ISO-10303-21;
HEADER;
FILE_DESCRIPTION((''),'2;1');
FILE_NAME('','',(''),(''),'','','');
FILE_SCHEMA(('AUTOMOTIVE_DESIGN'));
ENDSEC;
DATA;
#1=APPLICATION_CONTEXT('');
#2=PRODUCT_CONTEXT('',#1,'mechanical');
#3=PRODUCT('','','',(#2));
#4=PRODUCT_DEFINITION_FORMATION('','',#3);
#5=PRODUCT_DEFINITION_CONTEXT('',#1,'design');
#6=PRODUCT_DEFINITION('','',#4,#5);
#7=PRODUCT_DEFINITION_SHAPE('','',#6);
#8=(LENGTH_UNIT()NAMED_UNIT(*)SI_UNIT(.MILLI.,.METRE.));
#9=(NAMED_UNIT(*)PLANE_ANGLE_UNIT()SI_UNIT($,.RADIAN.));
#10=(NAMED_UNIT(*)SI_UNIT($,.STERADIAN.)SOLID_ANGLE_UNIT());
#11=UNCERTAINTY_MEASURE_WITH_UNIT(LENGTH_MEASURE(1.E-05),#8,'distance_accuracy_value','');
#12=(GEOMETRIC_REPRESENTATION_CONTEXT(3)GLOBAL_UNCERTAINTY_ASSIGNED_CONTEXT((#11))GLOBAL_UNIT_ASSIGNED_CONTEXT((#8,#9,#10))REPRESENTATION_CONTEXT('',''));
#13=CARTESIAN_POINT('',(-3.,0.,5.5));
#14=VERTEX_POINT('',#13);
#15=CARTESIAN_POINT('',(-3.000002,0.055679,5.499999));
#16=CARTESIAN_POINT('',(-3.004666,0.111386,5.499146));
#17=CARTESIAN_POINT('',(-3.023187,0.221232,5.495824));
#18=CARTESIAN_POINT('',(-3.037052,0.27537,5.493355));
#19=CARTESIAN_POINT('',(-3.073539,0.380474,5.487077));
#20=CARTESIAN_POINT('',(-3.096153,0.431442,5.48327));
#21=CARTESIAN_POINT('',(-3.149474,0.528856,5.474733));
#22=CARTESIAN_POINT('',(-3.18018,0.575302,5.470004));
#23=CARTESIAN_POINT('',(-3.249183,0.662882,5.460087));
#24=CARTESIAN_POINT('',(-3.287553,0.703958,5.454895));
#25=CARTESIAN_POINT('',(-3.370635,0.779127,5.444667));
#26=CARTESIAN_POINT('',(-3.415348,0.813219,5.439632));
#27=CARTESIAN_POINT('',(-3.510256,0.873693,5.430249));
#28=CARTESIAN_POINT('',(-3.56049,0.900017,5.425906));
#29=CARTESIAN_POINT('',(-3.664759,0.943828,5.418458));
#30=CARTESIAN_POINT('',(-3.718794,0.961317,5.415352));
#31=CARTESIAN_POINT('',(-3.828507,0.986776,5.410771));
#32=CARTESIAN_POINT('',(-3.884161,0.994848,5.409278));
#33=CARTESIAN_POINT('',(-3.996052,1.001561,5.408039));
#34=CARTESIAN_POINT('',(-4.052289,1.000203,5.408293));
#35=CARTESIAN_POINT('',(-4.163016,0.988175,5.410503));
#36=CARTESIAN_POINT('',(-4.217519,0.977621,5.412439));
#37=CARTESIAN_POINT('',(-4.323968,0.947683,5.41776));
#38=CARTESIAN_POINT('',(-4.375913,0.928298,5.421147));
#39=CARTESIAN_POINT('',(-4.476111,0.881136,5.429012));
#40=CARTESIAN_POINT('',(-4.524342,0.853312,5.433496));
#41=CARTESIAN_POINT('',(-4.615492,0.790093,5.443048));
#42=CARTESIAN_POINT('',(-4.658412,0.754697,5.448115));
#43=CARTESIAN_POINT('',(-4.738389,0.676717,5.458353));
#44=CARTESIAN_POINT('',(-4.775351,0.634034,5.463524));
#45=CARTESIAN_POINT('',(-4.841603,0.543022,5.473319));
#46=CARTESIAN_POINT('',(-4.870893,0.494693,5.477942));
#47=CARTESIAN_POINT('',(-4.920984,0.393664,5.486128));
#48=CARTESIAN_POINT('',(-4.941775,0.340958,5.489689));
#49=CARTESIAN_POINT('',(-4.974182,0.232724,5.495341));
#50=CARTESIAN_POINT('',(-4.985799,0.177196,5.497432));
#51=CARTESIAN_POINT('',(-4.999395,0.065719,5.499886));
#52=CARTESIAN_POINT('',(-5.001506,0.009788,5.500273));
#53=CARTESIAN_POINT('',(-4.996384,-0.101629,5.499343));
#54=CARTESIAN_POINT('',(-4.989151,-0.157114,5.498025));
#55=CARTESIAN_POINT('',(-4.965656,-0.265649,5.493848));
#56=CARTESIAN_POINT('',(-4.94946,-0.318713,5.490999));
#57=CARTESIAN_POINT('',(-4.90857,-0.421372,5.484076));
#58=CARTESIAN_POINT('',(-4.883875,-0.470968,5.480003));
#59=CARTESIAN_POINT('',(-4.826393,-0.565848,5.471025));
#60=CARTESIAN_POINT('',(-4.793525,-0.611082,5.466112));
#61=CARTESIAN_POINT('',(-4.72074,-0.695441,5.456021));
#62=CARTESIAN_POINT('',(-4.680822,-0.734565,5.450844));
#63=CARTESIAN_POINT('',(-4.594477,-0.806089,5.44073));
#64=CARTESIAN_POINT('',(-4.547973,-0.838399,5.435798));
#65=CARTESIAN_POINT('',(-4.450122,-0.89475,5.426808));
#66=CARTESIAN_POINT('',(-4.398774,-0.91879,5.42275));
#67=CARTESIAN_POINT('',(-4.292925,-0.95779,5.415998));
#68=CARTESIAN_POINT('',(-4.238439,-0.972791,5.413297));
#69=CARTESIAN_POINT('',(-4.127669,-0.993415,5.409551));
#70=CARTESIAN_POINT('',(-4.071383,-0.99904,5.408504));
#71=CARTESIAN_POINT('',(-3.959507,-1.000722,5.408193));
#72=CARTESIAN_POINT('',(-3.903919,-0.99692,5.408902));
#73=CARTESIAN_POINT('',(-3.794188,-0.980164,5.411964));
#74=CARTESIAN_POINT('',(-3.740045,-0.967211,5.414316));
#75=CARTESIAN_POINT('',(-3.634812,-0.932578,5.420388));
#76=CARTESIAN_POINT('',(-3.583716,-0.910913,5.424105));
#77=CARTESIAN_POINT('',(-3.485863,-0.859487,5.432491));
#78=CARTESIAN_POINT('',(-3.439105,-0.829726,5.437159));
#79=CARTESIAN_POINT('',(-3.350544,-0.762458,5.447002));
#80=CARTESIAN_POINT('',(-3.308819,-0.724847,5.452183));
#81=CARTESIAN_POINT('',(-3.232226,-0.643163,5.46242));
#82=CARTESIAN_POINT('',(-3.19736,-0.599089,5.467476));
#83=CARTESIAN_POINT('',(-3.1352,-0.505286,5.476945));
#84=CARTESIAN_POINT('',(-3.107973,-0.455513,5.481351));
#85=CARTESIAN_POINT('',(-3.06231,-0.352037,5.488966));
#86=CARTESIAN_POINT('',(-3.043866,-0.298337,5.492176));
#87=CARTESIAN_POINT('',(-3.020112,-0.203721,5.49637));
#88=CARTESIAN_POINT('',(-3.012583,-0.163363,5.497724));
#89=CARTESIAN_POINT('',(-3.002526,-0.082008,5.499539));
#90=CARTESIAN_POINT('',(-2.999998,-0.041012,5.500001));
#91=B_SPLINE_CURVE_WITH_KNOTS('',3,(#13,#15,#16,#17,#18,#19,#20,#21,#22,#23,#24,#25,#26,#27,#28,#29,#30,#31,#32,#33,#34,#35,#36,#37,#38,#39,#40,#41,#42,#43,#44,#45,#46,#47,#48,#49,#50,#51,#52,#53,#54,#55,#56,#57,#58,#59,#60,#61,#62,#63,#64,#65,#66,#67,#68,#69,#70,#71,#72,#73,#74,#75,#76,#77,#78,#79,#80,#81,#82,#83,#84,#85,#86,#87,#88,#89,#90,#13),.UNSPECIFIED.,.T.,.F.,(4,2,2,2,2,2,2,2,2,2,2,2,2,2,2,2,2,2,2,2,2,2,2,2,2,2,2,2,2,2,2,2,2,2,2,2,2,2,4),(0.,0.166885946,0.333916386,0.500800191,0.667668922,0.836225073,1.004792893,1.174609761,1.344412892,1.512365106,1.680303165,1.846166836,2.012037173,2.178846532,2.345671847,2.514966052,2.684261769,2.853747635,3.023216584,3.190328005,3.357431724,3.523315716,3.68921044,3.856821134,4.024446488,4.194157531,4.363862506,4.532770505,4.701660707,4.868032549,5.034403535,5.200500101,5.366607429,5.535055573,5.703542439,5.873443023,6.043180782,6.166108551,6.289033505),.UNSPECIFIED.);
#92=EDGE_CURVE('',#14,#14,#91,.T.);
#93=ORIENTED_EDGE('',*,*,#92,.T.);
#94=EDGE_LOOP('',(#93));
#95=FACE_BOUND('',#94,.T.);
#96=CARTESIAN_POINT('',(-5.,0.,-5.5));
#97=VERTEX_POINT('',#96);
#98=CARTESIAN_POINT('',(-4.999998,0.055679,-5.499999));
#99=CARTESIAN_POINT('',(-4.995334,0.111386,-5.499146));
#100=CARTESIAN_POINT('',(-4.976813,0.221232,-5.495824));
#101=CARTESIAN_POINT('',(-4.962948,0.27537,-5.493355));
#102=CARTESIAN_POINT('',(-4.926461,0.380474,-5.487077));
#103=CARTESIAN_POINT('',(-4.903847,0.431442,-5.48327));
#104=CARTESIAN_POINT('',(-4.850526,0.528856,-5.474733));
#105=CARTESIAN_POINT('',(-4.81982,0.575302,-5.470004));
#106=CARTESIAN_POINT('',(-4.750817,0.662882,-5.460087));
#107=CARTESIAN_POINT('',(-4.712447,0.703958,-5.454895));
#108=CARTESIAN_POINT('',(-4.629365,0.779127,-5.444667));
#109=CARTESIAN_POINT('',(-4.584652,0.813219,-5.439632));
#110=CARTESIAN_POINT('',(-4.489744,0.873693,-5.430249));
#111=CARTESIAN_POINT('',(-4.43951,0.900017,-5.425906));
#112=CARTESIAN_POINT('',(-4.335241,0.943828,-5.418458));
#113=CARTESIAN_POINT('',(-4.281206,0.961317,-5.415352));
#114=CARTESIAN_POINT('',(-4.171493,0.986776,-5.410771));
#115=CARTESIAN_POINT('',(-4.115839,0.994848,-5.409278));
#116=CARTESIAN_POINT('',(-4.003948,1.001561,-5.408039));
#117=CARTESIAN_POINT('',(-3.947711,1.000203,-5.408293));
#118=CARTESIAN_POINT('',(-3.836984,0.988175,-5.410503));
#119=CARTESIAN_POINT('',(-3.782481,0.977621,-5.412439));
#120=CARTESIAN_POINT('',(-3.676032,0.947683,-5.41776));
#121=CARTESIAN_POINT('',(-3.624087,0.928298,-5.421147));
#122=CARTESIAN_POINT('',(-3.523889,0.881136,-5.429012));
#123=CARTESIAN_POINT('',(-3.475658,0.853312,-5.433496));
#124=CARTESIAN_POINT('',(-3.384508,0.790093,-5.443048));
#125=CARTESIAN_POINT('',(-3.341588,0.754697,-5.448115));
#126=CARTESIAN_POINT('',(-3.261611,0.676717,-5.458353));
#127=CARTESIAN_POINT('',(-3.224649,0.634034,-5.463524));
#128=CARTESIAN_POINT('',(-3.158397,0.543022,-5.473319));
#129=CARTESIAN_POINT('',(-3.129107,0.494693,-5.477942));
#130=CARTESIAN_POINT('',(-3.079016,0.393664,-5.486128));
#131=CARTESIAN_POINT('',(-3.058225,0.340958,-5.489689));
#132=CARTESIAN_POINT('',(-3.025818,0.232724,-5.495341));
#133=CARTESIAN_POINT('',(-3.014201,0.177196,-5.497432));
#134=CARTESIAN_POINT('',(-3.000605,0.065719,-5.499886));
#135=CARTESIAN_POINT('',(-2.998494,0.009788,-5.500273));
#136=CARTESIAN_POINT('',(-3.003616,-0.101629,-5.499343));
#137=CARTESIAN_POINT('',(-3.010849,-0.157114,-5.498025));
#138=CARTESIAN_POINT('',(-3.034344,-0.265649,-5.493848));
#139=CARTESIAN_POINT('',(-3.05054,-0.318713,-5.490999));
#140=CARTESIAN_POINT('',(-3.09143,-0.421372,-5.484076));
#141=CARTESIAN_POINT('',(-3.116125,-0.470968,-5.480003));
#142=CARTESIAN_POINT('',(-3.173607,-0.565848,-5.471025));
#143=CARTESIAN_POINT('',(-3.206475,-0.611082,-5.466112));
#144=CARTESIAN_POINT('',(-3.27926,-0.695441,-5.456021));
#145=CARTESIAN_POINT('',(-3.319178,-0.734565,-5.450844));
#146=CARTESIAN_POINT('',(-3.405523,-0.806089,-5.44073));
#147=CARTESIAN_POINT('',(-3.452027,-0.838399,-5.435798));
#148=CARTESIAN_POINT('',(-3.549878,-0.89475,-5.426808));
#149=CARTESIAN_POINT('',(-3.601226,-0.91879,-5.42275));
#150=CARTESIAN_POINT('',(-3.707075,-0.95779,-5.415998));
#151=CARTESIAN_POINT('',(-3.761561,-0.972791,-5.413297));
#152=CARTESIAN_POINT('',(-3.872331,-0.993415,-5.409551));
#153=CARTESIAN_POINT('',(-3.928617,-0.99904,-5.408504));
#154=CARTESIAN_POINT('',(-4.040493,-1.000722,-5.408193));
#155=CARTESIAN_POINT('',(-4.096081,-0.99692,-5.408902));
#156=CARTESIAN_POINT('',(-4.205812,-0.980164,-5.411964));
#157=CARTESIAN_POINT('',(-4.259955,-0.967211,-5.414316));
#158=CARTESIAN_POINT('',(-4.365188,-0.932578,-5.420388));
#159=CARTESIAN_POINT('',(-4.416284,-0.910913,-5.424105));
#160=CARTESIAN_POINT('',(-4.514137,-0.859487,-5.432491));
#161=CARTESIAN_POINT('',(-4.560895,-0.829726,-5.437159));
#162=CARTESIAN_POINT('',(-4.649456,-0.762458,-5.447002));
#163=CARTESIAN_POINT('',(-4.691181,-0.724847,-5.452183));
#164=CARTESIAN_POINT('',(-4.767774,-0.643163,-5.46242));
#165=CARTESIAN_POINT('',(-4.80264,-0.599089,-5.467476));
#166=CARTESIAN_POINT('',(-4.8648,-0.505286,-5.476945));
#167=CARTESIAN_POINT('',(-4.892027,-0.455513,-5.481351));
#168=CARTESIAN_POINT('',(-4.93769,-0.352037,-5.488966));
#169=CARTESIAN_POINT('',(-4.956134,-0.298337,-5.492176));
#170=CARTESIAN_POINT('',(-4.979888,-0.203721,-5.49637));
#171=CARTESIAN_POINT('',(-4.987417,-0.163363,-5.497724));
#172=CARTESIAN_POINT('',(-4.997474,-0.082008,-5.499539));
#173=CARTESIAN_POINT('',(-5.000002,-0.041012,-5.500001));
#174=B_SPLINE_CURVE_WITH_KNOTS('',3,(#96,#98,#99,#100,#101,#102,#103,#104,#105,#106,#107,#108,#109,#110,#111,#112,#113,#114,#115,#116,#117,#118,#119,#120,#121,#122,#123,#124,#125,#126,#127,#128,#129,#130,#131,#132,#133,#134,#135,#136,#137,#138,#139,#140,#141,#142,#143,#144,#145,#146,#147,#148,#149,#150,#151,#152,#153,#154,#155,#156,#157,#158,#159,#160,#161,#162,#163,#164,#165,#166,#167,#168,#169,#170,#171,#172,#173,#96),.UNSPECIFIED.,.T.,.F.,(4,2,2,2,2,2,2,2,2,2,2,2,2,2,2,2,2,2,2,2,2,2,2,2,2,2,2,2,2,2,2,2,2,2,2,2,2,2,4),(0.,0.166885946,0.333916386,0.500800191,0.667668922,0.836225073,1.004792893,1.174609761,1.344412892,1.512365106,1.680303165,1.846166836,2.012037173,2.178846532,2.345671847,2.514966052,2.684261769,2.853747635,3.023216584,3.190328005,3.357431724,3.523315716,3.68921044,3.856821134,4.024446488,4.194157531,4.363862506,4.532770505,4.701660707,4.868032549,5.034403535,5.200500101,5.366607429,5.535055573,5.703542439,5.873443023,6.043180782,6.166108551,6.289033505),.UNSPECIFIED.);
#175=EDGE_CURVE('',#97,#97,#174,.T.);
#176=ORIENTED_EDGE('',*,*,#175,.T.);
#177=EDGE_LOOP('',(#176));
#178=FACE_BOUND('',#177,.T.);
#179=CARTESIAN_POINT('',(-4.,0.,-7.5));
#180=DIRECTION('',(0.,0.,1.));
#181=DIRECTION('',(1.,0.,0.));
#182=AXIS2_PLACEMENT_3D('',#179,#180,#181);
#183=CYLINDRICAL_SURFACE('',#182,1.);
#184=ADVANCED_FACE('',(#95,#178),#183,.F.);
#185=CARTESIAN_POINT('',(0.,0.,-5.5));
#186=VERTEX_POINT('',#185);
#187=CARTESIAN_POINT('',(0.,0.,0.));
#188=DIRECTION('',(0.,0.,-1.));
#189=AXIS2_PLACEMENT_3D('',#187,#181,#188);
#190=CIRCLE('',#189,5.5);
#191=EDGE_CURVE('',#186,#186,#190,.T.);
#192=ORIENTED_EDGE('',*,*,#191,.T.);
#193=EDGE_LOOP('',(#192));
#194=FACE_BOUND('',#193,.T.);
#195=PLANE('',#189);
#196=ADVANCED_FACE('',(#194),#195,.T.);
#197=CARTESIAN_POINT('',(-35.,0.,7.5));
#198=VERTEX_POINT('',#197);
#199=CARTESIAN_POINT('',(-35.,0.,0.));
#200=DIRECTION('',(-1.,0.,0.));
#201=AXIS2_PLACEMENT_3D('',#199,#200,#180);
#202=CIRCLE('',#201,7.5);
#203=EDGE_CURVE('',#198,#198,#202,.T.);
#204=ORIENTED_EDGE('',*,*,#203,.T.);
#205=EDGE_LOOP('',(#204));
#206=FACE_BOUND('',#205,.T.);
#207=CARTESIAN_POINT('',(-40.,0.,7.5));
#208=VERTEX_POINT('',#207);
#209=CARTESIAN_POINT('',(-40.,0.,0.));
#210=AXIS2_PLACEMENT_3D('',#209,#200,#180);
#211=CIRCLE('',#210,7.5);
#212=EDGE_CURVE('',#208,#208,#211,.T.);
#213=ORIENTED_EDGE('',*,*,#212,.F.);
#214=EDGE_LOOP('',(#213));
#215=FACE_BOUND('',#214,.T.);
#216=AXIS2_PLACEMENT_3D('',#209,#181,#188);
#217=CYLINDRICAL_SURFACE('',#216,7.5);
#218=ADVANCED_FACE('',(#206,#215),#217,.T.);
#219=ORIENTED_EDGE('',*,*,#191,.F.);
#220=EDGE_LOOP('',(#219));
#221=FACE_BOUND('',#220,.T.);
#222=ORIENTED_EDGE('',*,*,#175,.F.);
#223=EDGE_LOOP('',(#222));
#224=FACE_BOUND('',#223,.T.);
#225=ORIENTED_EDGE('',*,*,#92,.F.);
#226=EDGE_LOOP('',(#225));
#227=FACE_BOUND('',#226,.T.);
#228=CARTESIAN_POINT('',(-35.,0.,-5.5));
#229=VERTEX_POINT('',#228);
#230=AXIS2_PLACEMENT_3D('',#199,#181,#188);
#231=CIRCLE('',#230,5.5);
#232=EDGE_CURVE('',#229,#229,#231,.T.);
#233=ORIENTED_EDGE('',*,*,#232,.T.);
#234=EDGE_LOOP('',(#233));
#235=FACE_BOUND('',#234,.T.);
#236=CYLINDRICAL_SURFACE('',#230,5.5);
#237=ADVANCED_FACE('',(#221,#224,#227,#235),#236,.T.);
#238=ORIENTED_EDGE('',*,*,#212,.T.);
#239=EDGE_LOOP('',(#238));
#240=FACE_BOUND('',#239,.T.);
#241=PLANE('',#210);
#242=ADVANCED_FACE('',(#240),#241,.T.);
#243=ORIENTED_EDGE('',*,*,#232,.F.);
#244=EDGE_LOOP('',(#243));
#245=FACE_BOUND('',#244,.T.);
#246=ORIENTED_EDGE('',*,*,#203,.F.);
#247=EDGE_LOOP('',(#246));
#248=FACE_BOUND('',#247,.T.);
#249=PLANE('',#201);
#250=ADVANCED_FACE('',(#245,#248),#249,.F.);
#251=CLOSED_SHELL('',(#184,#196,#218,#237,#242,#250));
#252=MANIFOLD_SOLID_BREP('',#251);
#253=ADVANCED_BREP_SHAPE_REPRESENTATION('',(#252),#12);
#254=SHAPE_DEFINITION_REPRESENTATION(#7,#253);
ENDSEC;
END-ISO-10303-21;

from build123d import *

# Parameters (mm, degrees)
SKETCH1_R               = 5.5
BOSS_EXTRUDE1_DEPTH     = 35
SKETCH2_R               = 7.5
BOSS_EXTRUDE2_DEPTH     = 5
SKETCH3_R               = 1
CUT_EXTRUDE1_DEPTH      = 8.5
CUT_EXTRUDE1_DEPTH_BACK = 8.5


with BuildPart() as part:
    # Sketch1 → Boss-Extrude1 (new body)
    with BuildSketch(Plane(origin=(0, 0, 0), x_dir=(0, 0, -1), z_dir=(1, 0, 0))):
        Circle(SKETCH1_R)
    extrude(amount=-BOSS_EXTRUDE1_DEPTH)

    # Sketch2 → Boss-Extrude2 (add)
    with BuildSketch(Plane.ZY.offset(35)):
        Circle(SKETCH2_R)
    extrude(amount=BOSS_EXTRUDE2_DEPTH)

    # Sketch3 → Cut-Extrude1 (cut, two sides)
    with BuildSketch(Plane.XY) as cut_extrude1_sk:
        with Locations((-4, 0)):
            Circle(SKETCH3_R)
    extrude(amount=CUT_EXTRUDE1_DEPTH, mode=Mode.SUBTRACT)
    extrude(cut_extrude1_sk.sketch, amount=-CUT_EXTRUDE1_DEPTH_BACK, mode=Mode.SUBTRACT)


solid = part.part
